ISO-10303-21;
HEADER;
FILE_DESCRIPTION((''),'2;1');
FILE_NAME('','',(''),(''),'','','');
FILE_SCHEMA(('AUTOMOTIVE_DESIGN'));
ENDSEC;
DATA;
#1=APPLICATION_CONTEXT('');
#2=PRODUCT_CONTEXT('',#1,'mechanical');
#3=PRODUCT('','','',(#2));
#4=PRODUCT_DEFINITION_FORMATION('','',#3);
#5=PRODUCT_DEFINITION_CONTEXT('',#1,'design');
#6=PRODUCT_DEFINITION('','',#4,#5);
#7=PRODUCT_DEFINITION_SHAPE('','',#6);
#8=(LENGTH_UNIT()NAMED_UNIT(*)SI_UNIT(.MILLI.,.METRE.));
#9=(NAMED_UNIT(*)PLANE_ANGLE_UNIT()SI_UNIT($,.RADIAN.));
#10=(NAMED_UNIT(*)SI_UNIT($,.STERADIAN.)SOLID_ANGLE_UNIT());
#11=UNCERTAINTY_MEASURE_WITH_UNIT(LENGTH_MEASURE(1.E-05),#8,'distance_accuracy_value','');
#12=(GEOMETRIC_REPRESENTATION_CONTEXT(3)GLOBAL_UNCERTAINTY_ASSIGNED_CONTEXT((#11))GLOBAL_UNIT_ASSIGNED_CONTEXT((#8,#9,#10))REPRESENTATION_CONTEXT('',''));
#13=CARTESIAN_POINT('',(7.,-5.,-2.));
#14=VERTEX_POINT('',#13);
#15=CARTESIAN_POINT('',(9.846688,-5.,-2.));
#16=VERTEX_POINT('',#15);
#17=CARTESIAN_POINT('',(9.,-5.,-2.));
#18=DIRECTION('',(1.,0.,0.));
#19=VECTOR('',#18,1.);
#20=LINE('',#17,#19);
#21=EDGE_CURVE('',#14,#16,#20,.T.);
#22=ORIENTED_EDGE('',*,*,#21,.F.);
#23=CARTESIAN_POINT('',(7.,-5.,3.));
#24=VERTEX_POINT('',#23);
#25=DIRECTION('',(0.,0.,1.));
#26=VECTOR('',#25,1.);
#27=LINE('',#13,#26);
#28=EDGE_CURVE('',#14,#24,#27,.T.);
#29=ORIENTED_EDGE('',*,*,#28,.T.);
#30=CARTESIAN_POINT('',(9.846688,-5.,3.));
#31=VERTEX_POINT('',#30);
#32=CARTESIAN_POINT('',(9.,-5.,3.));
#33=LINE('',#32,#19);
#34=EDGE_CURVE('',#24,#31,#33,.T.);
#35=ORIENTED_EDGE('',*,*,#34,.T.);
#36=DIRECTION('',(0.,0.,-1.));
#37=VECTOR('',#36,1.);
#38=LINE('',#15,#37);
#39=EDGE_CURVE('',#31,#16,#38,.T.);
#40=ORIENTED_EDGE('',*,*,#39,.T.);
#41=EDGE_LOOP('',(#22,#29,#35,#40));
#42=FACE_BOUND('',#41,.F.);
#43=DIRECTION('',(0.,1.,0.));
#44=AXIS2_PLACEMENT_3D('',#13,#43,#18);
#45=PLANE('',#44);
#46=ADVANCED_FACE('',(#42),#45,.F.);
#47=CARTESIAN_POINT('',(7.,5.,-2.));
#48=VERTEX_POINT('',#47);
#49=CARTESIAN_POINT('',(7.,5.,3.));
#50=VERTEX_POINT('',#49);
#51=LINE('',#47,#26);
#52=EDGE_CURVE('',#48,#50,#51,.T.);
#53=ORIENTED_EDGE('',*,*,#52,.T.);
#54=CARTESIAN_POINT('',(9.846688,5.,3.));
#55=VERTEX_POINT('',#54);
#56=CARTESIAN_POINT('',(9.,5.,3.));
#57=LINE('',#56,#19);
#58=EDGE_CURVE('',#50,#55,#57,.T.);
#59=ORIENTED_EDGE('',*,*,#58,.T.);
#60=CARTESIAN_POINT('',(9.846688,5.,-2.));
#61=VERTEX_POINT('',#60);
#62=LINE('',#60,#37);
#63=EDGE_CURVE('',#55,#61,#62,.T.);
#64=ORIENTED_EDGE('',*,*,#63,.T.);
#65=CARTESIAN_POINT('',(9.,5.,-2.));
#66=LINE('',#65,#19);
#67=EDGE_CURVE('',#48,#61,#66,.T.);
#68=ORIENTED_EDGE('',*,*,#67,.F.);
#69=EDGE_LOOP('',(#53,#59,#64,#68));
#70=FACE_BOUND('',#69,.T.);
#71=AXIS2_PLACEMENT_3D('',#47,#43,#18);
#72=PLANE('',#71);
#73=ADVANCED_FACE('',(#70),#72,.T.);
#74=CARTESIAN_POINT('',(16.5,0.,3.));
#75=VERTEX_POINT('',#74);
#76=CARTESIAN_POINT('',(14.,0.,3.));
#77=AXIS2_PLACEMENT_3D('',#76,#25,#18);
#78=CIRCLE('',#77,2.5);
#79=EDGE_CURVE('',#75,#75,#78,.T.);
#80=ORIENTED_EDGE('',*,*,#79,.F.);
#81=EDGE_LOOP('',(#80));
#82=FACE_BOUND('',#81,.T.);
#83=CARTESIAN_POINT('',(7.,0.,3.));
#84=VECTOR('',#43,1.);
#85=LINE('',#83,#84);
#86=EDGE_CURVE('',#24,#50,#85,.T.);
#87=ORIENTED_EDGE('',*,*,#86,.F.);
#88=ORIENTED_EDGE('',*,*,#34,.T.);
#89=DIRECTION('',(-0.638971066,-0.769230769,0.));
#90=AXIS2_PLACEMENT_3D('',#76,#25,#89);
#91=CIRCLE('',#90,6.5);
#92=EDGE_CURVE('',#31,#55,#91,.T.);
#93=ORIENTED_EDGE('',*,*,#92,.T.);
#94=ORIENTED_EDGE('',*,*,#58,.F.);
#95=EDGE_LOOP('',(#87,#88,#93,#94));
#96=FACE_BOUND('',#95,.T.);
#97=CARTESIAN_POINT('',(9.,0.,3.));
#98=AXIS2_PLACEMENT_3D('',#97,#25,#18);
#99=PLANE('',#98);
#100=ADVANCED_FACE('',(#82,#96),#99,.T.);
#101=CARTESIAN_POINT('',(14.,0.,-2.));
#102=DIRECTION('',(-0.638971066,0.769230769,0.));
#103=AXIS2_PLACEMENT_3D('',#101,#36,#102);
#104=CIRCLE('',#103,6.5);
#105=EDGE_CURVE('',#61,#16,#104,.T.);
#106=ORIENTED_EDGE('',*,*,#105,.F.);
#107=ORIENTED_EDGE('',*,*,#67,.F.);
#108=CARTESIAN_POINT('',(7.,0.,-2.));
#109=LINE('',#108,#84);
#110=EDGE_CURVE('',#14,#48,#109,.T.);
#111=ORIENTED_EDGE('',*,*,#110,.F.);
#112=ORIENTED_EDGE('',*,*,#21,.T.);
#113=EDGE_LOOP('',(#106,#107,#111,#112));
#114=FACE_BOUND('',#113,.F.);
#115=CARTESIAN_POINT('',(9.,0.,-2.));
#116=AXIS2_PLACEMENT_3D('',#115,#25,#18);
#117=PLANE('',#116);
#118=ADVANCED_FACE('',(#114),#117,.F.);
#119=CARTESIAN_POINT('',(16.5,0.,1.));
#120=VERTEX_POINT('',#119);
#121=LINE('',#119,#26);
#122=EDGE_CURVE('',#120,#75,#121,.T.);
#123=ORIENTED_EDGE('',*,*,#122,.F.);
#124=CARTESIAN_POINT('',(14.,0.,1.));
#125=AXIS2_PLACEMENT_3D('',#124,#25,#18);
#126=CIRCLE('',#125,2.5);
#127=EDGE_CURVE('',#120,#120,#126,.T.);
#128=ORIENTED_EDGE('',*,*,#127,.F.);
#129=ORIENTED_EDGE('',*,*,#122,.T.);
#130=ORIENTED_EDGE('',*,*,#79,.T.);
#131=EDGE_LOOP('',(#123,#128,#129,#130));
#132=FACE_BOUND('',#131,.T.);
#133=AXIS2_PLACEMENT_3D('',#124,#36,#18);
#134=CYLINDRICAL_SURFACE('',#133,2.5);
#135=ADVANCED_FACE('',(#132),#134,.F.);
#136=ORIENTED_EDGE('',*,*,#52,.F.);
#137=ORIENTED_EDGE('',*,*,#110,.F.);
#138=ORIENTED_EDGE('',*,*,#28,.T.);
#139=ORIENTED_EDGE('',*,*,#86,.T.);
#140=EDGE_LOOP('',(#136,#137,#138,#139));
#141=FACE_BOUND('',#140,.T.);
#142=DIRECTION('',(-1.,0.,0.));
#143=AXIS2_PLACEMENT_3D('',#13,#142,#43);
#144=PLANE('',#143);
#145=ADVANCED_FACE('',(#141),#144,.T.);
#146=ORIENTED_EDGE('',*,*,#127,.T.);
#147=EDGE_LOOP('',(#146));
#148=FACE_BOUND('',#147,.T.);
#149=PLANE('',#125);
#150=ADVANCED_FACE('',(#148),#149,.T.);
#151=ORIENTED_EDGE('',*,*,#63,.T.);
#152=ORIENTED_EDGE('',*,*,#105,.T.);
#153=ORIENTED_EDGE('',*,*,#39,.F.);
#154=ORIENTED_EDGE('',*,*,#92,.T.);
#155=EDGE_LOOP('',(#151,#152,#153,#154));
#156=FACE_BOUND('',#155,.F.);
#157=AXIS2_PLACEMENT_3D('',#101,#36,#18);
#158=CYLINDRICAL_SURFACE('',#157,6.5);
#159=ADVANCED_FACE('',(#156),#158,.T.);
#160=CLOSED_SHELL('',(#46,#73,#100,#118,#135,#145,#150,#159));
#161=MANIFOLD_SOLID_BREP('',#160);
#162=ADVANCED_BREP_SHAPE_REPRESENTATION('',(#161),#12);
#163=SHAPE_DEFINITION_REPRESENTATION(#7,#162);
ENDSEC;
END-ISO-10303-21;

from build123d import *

# Parameters (mm, degrees)
BOX010_W          = 4
BOX010_H          = 10
BOX010_DEPTH      = 5
CYLINDER015_R     = 2.5
CYLINDER015_DEPTH = 2
CYLINDER014_R     = 6.5
CYLINDER014_DEPTH = 5


with BuildPart() as cube010:
    # Box010 → Box010 (new body)
    with BuildSketch(Plane(origin=(7, -5, 0), x_dir=(1, 0, 0), z_dir=(0, 0, 1))):
        with Locations((2, 5)):
            Rectangle(BOX010_W, BOX010_H)
    extrude(amount=BOX010_DEPTH)


with BuildPart() as cylinder015:
    # Cylinder015 → Cylinder015 (new body)
    with BuildSketch(Plane(origin=(14, 0, 3), x_dir=(1, 0, 0), z_dir=(0, 0, 1))):
        Circle(CYLINDER015_R)
    extrude(amount=CYLINDER015_DEPTH)


with BuildPart() as magnet_slot:
    # Cylinder014 → Cylinder014 (new body)
    with BuildSketch(Plane(origin=(14, 0, 0), x_dir=(1, 0, 0), z_dir=(0, 0, 1))):
        Circle(CYLINDER014_R)
    extrude(amount=CYLINDER014_DEPTH)

    # Cut011: cut Cylinder015
    add(cylinder015.part, mode=Mode.SUBTRACT)

    # Fusion001007005: union Cube010
    add(cube010.part)


with BuildPart() as magnet_slot_1:
    # Fusion001007005 placement: moved
    add(magnet_slot.part.moved(Location((0, 0, -2))))


solid = magnet_slot_1.part
